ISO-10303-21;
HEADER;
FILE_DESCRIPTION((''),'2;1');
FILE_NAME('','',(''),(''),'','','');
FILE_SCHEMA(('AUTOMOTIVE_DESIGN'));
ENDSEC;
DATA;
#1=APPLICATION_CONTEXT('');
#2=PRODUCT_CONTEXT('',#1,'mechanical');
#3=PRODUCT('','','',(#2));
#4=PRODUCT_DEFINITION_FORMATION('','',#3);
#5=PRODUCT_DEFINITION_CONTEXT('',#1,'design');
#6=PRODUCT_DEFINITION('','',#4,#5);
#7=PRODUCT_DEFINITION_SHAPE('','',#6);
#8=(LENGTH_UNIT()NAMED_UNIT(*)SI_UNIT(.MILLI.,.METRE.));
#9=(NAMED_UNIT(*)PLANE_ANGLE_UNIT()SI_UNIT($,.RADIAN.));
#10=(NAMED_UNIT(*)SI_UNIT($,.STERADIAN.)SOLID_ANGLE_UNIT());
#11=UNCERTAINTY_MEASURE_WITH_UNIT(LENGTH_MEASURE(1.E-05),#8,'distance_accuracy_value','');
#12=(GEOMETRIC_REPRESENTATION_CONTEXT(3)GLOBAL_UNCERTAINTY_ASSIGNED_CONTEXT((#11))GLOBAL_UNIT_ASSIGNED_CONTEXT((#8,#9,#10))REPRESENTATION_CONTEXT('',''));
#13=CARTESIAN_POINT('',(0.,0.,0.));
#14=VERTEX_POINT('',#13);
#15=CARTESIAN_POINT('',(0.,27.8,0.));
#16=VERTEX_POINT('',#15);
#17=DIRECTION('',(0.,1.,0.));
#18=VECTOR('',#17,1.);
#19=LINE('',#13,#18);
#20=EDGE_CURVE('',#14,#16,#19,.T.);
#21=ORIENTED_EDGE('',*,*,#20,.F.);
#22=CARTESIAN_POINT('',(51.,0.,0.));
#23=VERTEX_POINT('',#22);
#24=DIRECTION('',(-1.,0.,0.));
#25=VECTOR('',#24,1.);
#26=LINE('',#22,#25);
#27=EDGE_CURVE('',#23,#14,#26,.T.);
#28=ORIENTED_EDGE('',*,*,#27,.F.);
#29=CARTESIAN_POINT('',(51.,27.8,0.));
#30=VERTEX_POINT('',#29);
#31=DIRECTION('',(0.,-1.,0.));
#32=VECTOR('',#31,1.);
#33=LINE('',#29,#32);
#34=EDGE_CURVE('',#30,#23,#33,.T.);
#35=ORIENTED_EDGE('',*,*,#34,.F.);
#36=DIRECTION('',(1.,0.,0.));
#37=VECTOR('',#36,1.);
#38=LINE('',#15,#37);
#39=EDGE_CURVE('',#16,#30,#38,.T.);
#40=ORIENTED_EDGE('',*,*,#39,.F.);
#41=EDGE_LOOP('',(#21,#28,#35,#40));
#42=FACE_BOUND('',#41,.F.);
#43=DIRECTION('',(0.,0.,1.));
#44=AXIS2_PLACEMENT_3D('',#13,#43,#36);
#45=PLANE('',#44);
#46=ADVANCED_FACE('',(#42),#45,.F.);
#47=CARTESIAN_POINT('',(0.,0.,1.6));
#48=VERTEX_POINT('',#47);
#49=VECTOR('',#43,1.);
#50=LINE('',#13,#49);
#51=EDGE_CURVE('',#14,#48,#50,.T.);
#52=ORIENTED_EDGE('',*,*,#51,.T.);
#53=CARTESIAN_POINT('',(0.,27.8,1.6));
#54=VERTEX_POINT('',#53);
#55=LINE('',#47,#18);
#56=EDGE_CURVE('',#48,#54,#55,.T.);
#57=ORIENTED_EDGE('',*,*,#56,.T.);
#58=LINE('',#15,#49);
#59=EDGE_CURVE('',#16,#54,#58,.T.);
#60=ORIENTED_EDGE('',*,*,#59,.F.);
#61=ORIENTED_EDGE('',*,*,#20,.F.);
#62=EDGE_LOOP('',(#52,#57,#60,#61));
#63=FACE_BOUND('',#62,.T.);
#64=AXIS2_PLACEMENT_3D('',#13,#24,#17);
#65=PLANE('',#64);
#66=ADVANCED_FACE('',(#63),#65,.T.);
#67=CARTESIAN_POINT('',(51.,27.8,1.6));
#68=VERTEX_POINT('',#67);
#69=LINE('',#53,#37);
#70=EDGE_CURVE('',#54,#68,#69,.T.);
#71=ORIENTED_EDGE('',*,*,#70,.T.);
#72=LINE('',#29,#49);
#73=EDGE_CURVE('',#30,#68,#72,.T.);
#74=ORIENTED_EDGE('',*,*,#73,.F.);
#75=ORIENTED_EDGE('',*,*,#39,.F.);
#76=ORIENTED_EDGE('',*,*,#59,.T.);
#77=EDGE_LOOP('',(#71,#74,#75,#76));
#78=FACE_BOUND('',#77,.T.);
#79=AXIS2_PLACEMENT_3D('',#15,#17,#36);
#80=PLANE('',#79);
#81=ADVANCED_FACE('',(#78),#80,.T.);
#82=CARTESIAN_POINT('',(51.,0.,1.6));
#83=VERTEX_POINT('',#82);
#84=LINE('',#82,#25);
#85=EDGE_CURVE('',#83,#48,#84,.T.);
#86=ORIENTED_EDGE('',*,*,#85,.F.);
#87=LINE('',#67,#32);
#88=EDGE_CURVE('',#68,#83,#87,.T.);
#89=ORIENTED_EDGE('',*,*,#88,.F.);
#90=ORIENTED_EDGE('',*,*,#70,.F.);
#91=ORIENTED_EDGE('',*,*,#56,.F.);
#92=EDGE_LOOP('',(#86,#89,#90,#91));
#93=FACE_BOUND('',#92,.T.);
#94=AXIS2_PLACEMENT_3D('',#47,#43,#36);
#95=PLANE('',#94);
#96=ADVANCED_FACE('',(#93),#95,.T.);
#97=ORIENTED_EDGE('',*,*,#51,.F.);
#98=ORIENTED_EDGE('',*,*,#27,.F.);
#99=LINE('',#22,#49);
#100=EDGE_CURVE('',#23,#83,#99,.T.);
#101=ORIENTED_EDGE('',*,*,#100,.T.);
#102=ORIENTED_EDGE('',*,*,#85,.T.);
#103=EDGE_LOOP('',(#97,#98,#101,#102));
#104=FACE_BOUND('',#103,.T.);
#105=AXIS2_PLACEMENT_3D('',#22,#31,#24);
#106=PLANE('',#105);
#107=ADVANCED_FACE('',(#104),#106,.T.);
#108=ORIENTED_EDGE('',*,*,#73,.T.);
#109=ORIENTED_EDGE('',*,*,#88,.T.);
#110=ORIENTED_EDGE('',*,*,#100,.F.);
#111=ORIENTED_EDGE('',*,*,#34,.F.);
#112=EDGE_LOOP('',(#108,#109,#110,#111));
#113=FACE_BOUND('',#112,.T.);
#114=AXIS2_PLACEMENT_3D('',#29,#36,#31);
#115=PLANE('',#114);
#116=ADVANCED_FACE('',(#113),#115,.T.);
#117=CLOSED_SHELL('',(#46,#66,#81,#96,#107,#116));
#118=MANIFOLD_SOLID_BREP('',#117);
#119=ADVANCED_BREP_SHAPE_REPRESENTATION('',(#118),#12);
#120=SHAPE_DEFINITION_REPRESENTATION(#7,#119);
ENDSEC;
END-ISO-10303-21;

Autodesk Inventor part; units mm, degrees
ref_plane "YZ Plane" through (0, 0, 0) normal (1, 0, 0) x (0, 1, 0)
ref_plane "XZ Plane" through (0, 0, 0) normal (0, 1, 0) x (-1, 0, 0)
ref_plane "XY Plane" through (0, 0, 0) normal (0, 0, 1) x (1, 0, 0)
sketch "Sketch1" plane through (0, 0, 0) normal (0, 0, 1) x (1, 0, 0)
  line L0 (51, 0) -> (0, 0)
  line L1 (0, 0) -> (0, 27.8)
  line L2 (0, 27.8) -> (51, 27.8)
  line L3 (51, 27.8) -> (51, 0)
  dimension "d0" = 51
  dimension "d3" = 27.8
extrude "Extrusion1" add sketch "Sketch1" along normal blind 1.6
properties part number "PCB"
